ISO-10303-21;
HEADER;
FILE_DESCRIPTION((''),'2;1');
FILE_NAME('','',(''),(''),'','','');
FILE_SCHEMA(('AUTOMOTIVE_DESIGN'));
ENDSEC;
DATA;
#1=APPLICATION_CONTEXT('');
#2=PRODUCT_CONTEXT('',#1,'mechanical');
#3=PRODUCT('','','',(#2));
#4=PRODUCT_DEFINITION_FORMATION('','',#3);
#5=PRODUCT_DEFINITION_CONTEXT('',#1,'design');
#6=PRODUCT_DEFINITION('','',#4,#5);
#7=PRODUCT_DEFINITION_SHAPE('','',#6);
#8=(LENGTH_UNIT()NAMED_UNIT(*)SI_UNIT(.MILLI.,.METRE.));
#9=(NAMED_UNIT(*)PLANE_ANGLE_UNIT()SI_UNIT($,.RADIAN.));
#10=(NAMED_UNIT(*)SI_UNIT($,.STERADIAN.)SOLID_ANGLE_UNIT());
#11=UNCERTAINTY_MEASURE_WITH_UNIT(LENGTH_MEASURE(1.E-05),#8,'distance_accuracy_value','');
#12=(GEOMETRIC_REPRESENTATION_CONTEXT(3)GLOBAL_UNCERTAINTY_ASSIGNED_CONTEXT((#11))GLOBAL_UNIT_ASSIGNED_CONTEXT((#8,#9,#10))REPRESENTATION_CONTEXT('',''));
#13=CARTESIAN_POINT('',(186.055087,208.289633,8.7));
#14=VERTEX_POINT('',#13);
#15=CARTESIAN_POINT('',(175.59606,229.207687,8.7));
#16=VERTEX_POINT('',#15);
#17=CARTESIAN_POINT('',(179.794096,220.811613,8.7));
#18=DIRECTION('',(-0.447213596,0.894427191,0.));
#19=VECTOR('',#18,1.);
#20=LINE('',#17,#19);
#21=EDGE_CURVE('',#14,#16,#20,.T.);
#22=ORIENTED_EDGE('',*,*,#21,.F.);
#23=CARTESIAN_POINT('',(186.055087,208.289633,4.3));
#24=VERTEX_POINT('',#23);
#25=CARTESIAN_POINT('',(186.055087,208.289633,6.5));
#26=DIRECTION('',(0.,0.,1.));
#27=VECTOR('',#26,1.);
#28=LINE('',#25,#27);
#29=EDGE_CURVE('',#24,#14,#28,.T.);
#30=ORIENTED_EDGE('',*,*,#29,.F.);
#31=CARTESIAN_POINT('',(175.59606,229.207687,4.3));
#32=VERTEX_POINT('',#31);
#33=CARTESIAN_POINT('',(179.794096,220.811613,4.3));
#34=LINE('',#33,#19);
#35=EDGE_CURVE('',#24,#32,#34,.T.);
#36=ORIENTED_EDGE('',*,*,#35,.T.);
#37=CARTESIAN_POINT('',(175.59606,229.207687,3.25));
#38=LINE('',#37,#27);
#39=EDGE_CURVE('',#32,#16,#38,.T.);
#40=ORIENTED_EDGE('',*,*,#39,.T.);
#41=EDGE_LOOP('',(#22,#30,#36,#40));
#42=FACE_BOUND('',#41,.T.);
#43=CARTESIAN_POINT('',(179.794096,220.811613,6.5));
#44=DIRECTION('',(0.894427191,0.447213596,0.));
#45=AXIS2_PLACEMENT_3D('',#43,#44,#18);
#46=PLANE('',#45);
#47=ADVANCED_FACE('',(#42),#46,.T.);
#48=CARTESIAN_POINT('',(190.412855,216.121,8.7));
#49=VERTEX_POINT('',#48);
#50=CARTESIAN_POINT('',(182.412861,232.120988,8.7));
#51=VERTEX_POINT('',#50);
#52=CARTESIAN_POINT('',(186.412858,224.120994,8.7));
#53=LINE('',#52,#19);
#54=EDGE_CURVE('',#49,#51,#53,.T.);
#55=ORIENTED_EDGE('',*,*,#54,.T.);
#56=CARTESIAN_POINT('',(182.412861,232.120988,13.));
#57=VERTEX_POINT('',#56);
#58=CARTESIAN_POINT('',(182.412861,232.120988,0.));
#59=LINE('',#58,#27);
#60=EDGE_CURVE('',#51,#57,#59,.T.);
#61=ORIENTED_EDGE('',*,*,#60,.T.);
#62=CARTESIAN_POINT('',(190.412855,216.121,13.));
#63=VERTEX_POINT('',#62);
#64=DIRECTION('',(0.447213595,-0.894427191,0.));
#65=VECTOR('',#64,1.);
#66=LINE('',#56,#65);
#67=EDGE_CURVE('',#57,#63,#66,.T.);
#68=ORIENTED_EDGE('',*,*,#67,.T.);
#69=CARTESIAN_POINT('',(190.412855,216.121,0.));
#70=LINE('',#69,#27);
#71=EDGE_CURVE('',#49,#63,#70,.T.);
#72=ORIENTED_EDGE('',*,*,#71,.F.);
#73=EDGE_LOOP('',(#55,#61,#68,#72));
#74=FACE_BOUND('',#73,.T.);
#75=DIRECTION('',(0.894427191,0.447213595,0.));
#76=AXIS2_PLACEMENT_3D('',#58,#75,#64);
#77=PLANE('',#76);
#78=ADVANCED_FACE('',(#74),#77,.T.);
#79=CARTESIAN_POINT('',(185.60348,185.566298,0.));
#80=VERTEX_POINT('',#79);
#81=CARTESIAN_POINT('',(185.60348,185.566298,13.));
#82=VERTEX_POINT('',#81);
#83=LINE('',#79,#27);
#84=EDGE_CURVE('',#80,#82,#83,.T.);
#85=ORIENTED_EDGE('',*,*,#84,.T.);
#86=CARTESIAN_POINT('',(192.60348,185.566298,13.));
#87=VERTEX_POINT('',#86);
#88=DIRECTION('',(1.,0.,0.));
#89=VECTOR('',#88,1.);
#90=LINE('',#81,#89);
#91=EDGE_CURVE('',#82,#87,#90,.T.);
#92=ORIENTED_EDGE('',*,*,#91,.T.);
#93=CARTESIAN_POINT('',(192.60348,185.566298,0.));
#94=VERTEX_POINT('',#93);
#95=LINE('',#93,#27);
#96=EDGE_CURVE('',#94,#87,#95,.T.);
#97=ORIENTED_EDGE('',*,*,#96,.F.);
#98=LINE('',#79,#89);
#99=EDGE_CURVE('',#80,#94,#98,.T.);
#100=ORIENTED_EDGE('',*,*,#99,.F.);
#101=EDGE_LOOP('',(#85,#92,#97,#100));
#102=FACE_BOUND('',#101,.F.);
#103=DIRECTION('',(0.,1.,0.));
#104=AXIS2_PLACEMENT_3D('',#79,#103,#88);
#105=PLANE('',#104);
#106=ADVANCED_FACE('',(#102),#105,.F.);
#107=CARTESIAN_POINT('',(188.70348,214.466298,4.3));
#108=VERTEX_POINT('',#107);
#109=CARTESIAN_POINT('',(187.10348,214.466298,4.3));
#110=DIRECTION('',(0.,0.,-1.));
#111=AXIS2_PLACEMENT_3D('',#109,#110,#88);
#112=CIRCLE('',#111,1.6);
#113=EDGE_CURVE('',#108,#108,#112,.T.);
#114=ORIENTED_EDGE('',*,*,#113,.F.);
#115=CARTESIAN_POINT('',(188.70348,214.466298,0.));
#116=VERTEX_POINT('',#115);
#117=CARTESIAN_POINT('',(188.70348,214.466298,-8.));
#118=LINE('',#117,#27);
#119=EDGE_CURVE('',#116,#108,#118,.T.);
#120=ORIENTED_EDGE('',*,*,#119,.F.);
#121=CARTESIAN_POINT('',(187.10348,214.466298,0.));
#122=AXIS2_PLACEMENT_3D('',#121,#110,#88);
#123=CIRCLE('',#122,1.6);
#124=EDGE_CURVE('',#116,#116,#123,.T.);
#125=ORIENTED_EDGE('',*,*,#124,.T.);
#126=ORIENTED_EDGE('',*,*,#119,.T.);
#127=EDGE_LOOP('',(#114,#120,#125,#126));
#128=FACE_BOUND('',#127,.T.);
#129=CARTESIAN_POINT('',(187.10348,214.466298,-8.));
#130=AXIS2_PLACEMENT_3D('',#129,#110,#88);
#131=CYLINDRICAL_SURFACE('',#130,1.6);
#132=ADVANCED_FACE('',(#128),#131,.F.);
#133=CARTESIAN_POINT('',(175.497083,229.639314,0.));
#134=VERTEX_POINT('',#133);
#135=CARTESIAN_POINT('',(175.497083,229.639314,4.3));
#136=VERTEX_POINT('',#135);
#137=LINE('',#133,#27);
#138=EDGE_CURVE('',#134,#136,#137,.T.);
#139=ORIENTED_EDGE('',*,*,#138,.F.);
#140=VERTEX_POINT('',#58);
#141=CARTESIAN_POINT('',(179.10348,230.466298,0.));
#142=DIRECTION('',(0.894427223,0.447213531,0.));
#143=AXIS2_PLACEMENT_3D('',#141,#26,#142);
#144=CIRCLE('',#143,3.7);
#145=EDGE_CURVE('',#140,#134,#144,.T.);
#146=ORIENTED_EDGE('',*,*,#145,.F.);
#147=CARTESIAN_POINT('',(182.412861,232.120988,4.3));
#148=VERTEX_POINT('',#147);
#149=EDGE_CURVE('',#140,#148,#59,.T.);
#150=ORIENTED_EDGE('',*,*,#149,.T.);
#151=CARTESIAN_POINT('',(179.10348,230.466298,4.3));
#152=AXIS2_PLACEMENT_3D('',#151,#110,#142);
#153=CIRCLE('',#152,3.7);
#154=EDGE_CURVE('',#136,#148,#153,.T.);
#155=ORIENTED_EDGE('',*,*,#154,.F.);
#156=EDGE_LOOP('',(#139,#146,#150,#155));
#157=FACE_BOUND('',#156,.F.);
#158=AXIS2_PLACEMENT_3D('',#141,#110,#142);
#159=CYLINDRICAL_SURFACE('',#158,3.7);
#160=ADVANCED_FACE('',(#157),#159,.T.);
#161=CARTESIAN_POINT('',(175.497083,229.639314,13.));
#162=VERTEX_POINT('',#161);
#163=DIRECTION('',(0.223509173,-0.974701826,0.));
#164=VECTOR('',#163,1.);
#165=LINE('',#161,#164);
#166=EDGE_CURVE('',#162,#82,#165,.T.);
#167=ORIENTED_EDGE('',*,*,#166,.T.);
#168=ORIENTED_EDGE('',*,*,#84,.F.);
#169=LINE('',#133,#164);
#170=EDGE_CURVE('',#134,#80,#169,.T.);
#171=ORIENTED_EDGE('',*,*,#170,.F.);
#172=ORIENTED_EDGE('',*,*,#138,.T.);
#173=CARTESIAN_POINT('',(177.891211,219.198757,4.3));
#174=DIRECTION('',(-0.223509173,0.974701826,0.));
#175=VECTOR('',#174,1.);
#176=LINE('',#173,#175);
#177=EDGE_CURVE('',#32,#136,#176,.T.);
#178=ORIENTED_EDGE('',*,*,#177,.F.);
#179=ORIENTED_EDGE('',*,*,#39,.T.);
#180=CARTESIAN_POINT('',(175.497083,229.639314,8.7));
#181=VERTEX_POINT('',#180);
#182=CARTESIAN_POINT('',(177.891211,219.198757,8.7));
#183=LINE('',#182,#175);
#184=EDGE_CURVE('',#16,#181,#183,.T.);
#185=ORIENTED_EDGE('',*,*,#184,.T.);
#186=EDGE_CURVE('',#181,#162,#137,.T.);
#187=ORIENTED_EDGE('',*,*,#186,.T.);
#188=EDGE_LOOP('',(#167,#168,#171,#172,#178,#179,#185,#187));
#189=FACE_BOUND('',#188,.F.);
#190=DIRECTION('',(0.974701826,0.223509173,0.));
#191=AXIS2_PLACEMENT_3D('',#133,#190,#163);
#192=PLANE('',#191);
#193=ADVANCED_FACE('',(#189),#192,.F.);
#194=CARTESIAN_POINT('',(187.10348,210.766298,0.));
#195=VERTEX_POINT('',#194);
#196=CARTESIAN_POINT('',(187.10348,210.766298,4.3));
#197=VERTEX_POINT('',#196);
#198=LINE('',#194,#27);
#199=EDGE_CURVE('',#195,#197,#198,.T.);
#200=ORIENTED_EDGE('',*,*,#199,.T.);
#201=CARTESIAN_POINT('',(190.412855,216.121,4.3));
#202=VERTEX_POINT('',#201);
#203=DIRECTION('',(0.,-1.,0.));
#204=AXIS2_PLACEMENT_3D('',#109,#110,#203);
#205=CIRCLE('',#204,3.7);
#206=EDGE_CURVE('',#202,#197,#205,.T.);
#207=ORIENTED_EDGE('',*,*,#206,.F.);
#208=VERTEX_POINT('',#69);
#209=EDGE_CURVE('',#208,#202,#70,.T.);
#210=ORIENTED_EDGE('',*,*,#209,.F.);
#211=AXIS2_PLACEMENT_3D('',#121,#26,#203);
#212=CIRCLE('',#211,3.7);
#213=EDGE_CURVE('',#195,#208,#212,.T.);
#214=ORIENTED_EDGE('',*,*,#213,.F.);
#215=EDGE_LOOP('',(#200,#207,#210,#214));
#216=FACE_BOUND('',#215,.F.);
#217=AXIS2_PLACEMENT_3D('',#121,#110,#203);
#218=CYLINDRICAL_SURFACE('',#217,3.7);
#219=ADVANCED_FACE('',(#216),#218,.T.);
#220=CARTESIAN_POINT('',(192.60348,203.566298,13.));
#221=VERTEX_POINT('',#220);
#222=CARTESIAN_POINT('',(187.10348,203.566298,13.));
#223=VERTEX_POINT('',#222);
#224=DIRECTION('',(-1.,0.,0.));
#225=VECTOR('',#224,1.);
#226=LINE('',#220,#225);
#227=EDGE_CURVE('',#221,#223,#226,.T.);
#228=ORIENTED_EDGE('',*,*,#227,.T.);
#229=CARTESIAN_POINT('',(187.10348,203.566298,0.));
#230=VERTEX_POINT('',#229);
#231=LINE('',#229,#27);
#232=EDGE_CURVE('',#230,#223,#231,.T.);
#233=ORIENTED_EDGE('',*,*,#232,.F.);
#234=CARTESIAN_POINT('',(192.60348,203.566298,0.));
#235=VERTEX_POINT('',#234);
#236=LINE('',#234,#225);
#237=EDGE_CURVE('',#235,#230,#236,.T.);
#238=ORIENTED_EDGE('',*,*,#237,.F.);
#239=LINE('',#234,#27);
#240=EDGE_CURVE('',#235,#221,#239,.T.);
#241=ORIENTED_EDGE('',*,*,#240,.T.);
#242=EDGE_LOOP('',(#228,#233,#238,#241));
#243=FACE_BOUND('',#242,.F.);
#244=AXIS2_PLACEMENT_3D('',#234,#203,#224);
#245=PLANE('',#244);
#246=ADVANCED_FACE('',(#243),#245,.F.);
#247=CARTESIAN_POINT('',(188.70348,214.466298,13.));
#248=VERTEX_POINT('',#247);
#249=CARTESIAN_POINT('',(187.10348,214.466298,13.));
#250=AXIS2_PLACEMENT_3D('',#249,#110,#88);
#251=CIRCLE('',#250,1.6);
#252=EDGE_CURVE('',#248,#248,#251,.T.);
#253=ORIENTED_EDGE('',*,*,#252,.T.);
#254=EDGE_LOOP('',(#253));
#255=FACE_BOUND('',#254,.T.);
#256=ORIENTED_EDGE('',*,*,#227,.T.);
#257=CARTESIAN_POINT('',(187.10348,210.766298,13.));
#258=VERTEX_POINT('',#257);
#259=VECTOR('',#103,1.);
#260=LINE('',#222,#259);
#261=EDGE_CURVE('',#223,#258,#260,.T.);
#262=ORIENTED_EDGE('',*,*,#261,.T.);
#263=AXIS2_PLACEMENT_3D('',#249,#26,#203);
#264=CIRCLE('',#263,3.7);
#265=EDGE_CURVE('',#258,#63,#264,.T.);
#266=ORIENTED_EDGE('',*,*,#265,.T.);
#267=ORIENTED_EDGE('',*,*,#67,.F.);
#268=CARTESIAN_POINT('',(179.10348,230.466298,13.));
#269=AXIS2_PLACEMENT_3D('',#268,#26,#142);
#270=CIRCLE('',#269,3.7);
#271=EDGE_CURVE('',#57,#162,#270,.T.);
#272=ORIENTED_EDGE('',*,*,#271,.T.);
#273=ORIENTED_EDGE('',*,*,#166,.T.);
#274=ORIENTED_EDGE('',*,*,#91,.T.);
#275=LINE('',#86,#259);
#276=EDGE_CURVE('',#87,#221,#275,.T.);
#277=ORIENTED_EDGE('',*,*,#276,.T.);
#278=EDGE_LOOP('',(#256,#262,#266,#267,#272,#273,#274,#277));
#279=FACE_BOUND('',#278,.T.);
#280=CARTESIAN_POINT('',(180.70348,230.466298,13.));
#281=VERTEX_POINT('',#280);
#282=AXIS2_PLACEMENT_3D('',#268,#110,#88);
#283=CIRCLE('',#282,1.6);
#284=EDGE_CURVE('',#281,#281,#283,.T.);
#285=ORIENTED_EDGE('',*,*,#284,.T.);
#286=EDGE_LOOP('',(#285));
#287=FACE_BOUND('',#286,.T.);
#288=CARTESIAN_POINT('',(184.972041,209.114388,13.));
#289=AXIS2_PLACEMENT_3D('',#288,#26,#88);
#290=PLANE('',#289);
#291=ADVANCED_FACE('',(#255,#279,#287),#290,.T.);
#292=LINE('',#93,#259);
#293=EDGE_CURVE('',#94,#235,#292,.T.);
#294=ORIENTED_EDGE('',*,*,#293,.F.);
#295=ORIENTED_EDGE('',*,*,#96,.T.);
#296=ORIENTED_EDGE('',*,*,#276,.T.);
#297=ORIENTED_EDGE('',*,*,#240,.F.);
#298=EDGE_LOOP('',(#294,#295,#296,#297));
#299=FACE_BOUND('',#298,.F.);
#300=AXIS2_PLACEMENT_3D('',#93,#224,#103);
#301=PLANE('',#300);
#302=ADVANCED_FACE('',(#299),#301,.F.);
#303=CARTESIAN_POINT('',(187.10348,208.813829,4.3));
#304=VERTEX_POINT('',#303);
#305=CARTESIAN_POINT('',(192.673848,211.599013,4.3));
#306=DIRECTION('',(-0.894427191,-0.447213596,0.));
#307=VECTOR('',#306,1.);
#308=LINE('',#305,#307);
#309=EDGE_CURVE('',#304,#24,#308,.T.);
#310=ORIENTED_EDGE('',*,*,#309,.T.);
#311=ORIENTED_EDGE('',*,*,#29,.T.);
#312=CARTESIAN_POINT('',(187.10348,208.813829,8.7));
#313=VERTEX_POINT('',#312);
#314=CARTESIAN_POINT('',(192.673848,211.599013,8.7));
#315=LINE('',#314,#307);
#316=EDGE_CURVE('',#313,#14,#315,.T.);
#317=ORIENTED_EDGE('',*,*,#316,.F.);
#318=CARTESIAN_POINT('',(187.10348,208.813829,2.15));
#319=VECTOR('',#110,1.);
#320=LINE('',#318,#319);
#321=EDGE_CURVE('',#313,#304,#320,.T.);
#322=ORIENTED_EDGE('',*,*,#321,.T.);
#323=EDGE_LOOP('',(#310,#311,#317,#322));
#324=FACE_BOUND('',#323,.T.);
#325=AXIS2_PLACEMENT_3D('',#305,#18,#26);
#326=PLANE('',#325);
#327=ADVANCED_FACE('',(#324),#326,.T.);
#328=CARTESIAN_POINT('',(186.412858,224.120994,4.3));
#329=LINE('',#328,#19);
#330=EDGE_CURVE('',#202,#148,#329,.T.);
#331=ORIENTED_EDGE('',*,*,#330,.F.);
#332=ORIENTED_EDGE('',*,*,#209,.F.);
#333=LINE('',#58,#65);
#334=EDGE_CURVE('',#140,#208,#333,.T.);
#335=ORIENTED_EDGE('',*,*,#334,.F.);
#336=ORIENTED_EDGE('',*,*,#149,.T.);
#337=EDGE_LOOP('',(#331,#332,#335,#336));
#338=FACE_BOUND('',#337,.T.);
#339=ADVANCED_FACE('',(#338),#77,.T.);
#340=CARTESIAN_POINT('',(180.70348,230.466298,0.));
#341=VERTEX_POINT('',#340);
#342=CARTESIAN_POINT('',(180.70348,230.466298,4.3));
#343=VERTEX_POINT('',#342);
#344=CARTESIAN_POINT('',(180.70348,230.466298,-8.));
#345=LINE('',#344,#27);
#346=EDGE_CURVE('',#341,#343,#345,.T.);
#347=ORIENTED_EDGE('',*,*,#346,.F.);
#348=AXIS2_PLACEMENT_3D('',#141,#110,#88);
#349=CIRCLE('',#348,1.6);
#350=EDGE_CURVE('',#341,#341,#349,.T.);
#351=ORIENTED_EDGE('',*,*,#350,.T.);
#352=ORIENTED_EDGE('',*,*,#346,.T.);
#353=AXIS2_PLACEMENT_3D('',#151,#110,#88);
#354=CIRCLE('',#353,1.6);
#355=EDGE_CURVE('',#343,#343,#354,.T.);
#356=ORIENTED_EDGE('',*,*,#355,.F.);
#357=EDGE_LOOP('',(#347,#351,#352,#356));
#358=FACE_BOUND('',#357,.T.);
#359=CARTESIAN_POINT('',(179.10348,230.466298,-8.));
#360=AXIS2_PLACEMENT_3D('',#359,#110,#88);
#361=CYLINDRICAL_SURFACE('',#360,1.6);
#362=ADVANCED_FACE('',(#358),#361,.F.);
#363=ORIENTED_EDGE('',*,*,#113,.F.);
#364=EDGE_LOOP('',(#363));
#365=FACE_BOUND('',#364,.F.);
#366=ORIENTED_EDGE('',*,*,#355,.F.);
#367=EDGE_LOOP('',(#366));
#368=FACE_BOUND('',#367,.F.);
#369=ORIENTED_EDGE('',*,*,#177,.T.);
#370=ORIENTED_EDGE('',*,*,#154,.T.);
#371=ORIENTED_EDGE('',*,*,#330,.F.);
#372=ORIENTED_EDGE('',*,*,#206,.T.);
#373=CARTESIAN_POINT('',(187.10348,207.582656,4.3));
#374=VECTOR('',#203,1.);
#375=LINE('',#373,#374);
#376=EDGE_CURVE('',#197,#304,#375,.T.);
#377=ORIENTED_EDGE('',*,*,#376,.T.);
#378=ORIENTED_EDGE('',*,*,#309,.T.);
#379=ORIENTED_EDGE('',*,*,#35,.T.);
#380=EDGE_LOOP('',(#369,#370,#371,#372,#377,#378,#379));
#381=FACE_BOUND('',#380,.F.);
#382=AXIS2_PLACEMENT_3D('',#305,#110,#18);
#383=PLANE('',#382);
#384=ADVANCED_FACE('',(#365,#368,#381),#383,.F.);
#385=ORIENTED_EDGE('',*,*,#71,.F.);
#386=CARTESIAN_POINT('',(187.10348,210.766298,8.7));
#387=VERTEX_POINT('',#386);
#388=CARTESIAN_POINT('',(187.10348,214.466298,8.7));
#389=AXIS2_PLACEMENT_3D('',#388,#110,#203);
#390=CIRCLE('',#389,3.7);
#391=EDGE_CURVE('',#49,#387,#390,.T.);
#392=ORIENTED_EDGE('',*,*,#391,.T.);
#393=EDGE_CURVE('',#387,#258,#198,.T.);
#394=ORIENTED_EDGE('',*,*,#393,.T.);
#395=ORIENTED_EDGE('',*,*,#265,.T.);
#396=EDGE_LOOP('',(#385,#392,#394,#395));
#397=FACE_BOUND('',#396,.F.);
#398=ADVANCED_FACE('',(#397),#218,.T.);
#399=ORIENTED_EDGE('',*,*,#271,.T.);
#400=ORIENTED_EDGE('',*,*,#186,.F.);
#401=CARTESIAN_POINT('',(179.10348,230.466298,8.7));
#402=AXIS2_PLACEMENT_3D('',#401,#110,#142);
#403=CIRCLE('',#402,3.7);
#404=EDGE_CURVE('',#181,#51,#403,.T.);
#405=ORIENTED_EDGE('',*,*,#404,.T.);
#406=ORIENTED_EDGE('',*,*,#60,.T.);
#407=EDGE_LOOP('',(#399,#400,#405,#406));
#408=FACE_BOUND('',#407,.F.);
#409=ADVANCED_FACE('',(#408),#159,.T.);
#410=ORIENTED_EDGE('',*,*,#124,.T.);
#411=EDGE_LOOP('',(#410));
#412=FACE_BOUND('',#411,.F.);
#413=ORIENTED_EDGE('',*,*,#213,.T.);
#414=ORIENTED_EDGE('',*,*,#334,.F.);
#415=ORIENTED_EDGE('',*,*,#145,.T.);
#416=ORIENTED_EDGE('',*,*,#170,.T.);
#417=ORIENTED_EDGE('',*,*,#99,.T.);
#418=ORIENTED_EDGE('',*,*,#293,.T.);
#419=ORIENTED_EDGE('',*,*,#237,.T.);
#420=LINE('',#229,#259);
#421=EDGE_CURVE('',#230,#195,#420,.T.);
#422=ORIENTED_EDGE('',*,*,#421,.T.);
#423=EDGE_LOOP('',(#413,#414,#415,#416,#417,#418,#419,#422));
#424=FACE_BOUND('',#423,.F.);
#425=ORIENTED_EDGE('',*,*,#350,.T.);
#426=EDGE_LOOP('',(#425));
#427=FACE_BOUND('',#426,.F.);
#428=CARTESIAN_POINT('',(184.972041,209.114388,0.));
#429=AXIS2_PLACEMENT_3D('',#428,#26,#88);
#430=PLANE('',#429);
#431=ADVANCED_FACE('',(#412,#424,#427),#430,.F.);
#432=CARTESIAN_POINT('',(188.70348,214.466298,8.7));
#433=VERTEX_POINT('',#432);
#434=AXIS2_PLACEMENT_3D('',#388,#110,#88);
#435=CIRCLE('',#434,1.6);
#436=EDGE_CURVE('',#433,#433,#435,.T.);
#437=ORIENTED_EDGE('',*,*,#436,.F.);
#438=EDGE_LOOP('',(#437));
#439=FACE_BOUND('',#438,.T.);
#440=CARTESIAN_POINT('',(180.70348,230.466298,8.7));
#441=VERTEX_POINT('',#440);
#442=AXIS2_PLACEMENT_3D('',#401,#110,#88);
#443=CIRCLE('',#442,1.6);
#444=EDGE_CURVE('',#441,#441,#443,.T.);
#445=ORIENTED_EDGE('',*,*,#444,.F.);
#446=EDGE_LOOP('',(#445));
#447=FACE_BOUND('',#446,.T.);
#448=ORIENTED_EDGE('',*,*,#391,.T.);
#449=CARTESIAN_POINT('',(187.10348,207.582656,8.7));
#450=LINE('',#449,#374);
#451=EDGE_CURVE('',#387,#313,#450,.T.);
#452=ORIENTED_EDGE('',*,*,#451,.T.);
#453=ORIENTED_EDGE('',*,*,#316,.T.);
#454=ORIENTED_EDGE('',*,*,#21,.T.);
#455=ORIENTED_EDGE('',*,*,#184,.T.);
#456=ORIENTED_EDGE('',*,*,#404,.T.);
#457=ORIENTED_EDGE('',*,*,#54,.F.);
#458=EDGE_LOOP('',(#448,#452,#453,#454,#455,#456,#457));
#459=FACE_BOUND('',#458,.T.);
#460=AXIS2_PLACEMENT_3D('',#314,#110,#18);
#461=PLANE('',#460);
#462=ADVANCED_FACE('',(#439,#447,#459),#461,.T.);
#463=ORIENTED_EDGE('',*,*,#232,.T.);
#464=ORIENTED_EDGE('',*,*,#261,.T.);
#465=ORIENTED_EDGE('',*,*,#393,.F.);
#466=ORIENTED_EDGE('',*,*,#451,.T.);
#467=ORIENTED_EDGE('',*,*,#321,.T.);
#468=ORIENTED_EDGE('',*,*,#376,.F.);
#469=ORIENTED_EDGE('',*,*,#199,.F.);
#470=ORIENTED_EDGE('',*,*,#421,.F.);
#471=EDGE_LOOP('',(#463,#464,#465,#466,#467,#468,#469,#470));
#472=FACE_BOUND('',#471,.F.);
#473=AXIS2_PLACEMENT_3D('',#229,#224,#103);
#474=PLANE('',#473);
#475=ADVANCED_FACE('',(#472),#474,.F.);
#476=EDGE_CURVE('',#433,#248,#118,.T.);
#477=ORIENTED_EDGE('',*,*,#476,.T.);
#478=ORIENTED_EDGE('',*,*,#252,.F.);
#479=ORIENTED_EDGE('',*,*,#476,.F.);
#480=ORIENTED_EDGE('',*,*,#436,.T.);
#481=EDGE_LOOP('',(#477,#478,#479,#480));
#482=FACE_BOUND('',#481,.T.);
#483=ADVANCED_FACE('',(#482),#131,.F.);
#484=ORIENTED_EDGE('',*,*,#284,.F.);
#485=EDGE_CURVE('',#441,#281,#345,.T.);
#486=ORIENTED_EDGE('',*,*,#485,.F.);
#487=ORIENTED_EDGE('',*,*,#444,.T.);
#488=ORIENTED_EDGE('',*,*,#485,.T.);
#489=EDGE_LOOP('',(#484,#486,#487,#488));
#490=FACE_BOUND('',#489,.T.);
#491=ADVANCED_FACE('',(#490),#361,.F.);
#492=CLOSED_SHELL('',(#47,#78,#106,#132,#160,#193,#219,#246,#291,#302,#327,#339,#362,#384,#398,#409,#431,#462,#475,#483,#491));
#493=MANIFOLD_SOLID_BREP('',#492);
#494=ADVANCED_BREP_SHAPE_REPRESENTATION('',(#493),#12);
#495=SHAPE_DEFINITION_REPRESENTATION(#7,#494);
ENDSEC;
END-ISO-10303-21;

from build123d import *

# Parameters (mm, degrees)
CYLINDER005_R     = 1.6
CYLINDER005_DEPTH = 30
PAD001_DEPTH      = 13
SKETCH001_W       = 28
SKETCH001_H       = 4.4
POCKET002_DEPTH   = 7.4


with BuildPart() as finger_drill_master:
    # Cylinder005 → Cylinder005 (new body)
    with BuildSketch(Plane.XY.offset(-8)):
        Circle(CYLINDER005_R)
    extrude(amount=CYLINDER005_DEPTH)


with BuildPart() as clone001:
    # Clone001 base: copy of finger-drill-master
    add(finger_drill_master.part)


with BuildPart() as clone001_1:
    # Clone001 placement: moved
    add(clone001.part.moved(Location((-5.5, 28.9, 0))))


with BuildPart() as finger_drills:
    # Clone002 base: copy of finger-drill-master
    add(finger_drill_master.part)


with BuildPart() as finger_drills_1:
    # Clone002 placement: moved
    add(finger_drills.part.moved(Location((-13.5, 44.9, 0))))

    # Fusion011: union Clone001
    add(clone001_1.part)


with BuildPart() as left_finger:
    # Sketch007 → Pad001 (new body)
    with BuildSketch(Plane.XY):
        with BuildLine():
            Line((0, 0), (0, 18))
            Line((0, 18), (-5.5, 18))
            Line((-5.5, 18), (-5.5, 25.2))
            ThreePointArc((-5.5, 25.2), (-2.3525883805, 26.9548007564), (-2.1906255667, 30.55470265))
            Line((-10.1906192745, 46.5546900658), (-2.1906255667, 30.55470265))
            ThreePointArc((-10.1906192745, 46.5546900658), (-14.7496924515, 48.3825664066), (-17.1063967324, 44.0730159565))
            Line((-17.1063967324, 44.0730159565), (-7, 0))
            Line((-7, 0), (0, 0))
        make_face()
    extrude(amount=PAD001_DEPTH)

    # Sketch001 → Pocket002 (cut)
    with BuildSketch(Plane(origin=(10.4693806066, 5.2346903033, 0), x_dir=(-0.4472135955, 0.894427191, 0), z_dir=(0.894427191, 0.4472135955, 0))):
        with Locations((37.2528992744, 6.5)):
            Rectangle(SKETCH001_W, SKETCH001_H)
    extrude(amount=-POCKET002_DEPTH, mode=Mode.SUBTRACT)

    # Cut012: cut finger-drills
    add(finger_drills_1.part, mode=Mode.SUBTRACT)


with BuildPart() as left_finger_1:
    # Cut012 placement: moved
    add(left_finger.part.moved(Location((0, -57, 0))))


with BuildPart() as left_finger_2:
    # Clone003 placement: moved
    add(left_finger_1.part.moved(Location((192.6034801236, 242.5662976869, 0))))


solid = left_finger_2.part
